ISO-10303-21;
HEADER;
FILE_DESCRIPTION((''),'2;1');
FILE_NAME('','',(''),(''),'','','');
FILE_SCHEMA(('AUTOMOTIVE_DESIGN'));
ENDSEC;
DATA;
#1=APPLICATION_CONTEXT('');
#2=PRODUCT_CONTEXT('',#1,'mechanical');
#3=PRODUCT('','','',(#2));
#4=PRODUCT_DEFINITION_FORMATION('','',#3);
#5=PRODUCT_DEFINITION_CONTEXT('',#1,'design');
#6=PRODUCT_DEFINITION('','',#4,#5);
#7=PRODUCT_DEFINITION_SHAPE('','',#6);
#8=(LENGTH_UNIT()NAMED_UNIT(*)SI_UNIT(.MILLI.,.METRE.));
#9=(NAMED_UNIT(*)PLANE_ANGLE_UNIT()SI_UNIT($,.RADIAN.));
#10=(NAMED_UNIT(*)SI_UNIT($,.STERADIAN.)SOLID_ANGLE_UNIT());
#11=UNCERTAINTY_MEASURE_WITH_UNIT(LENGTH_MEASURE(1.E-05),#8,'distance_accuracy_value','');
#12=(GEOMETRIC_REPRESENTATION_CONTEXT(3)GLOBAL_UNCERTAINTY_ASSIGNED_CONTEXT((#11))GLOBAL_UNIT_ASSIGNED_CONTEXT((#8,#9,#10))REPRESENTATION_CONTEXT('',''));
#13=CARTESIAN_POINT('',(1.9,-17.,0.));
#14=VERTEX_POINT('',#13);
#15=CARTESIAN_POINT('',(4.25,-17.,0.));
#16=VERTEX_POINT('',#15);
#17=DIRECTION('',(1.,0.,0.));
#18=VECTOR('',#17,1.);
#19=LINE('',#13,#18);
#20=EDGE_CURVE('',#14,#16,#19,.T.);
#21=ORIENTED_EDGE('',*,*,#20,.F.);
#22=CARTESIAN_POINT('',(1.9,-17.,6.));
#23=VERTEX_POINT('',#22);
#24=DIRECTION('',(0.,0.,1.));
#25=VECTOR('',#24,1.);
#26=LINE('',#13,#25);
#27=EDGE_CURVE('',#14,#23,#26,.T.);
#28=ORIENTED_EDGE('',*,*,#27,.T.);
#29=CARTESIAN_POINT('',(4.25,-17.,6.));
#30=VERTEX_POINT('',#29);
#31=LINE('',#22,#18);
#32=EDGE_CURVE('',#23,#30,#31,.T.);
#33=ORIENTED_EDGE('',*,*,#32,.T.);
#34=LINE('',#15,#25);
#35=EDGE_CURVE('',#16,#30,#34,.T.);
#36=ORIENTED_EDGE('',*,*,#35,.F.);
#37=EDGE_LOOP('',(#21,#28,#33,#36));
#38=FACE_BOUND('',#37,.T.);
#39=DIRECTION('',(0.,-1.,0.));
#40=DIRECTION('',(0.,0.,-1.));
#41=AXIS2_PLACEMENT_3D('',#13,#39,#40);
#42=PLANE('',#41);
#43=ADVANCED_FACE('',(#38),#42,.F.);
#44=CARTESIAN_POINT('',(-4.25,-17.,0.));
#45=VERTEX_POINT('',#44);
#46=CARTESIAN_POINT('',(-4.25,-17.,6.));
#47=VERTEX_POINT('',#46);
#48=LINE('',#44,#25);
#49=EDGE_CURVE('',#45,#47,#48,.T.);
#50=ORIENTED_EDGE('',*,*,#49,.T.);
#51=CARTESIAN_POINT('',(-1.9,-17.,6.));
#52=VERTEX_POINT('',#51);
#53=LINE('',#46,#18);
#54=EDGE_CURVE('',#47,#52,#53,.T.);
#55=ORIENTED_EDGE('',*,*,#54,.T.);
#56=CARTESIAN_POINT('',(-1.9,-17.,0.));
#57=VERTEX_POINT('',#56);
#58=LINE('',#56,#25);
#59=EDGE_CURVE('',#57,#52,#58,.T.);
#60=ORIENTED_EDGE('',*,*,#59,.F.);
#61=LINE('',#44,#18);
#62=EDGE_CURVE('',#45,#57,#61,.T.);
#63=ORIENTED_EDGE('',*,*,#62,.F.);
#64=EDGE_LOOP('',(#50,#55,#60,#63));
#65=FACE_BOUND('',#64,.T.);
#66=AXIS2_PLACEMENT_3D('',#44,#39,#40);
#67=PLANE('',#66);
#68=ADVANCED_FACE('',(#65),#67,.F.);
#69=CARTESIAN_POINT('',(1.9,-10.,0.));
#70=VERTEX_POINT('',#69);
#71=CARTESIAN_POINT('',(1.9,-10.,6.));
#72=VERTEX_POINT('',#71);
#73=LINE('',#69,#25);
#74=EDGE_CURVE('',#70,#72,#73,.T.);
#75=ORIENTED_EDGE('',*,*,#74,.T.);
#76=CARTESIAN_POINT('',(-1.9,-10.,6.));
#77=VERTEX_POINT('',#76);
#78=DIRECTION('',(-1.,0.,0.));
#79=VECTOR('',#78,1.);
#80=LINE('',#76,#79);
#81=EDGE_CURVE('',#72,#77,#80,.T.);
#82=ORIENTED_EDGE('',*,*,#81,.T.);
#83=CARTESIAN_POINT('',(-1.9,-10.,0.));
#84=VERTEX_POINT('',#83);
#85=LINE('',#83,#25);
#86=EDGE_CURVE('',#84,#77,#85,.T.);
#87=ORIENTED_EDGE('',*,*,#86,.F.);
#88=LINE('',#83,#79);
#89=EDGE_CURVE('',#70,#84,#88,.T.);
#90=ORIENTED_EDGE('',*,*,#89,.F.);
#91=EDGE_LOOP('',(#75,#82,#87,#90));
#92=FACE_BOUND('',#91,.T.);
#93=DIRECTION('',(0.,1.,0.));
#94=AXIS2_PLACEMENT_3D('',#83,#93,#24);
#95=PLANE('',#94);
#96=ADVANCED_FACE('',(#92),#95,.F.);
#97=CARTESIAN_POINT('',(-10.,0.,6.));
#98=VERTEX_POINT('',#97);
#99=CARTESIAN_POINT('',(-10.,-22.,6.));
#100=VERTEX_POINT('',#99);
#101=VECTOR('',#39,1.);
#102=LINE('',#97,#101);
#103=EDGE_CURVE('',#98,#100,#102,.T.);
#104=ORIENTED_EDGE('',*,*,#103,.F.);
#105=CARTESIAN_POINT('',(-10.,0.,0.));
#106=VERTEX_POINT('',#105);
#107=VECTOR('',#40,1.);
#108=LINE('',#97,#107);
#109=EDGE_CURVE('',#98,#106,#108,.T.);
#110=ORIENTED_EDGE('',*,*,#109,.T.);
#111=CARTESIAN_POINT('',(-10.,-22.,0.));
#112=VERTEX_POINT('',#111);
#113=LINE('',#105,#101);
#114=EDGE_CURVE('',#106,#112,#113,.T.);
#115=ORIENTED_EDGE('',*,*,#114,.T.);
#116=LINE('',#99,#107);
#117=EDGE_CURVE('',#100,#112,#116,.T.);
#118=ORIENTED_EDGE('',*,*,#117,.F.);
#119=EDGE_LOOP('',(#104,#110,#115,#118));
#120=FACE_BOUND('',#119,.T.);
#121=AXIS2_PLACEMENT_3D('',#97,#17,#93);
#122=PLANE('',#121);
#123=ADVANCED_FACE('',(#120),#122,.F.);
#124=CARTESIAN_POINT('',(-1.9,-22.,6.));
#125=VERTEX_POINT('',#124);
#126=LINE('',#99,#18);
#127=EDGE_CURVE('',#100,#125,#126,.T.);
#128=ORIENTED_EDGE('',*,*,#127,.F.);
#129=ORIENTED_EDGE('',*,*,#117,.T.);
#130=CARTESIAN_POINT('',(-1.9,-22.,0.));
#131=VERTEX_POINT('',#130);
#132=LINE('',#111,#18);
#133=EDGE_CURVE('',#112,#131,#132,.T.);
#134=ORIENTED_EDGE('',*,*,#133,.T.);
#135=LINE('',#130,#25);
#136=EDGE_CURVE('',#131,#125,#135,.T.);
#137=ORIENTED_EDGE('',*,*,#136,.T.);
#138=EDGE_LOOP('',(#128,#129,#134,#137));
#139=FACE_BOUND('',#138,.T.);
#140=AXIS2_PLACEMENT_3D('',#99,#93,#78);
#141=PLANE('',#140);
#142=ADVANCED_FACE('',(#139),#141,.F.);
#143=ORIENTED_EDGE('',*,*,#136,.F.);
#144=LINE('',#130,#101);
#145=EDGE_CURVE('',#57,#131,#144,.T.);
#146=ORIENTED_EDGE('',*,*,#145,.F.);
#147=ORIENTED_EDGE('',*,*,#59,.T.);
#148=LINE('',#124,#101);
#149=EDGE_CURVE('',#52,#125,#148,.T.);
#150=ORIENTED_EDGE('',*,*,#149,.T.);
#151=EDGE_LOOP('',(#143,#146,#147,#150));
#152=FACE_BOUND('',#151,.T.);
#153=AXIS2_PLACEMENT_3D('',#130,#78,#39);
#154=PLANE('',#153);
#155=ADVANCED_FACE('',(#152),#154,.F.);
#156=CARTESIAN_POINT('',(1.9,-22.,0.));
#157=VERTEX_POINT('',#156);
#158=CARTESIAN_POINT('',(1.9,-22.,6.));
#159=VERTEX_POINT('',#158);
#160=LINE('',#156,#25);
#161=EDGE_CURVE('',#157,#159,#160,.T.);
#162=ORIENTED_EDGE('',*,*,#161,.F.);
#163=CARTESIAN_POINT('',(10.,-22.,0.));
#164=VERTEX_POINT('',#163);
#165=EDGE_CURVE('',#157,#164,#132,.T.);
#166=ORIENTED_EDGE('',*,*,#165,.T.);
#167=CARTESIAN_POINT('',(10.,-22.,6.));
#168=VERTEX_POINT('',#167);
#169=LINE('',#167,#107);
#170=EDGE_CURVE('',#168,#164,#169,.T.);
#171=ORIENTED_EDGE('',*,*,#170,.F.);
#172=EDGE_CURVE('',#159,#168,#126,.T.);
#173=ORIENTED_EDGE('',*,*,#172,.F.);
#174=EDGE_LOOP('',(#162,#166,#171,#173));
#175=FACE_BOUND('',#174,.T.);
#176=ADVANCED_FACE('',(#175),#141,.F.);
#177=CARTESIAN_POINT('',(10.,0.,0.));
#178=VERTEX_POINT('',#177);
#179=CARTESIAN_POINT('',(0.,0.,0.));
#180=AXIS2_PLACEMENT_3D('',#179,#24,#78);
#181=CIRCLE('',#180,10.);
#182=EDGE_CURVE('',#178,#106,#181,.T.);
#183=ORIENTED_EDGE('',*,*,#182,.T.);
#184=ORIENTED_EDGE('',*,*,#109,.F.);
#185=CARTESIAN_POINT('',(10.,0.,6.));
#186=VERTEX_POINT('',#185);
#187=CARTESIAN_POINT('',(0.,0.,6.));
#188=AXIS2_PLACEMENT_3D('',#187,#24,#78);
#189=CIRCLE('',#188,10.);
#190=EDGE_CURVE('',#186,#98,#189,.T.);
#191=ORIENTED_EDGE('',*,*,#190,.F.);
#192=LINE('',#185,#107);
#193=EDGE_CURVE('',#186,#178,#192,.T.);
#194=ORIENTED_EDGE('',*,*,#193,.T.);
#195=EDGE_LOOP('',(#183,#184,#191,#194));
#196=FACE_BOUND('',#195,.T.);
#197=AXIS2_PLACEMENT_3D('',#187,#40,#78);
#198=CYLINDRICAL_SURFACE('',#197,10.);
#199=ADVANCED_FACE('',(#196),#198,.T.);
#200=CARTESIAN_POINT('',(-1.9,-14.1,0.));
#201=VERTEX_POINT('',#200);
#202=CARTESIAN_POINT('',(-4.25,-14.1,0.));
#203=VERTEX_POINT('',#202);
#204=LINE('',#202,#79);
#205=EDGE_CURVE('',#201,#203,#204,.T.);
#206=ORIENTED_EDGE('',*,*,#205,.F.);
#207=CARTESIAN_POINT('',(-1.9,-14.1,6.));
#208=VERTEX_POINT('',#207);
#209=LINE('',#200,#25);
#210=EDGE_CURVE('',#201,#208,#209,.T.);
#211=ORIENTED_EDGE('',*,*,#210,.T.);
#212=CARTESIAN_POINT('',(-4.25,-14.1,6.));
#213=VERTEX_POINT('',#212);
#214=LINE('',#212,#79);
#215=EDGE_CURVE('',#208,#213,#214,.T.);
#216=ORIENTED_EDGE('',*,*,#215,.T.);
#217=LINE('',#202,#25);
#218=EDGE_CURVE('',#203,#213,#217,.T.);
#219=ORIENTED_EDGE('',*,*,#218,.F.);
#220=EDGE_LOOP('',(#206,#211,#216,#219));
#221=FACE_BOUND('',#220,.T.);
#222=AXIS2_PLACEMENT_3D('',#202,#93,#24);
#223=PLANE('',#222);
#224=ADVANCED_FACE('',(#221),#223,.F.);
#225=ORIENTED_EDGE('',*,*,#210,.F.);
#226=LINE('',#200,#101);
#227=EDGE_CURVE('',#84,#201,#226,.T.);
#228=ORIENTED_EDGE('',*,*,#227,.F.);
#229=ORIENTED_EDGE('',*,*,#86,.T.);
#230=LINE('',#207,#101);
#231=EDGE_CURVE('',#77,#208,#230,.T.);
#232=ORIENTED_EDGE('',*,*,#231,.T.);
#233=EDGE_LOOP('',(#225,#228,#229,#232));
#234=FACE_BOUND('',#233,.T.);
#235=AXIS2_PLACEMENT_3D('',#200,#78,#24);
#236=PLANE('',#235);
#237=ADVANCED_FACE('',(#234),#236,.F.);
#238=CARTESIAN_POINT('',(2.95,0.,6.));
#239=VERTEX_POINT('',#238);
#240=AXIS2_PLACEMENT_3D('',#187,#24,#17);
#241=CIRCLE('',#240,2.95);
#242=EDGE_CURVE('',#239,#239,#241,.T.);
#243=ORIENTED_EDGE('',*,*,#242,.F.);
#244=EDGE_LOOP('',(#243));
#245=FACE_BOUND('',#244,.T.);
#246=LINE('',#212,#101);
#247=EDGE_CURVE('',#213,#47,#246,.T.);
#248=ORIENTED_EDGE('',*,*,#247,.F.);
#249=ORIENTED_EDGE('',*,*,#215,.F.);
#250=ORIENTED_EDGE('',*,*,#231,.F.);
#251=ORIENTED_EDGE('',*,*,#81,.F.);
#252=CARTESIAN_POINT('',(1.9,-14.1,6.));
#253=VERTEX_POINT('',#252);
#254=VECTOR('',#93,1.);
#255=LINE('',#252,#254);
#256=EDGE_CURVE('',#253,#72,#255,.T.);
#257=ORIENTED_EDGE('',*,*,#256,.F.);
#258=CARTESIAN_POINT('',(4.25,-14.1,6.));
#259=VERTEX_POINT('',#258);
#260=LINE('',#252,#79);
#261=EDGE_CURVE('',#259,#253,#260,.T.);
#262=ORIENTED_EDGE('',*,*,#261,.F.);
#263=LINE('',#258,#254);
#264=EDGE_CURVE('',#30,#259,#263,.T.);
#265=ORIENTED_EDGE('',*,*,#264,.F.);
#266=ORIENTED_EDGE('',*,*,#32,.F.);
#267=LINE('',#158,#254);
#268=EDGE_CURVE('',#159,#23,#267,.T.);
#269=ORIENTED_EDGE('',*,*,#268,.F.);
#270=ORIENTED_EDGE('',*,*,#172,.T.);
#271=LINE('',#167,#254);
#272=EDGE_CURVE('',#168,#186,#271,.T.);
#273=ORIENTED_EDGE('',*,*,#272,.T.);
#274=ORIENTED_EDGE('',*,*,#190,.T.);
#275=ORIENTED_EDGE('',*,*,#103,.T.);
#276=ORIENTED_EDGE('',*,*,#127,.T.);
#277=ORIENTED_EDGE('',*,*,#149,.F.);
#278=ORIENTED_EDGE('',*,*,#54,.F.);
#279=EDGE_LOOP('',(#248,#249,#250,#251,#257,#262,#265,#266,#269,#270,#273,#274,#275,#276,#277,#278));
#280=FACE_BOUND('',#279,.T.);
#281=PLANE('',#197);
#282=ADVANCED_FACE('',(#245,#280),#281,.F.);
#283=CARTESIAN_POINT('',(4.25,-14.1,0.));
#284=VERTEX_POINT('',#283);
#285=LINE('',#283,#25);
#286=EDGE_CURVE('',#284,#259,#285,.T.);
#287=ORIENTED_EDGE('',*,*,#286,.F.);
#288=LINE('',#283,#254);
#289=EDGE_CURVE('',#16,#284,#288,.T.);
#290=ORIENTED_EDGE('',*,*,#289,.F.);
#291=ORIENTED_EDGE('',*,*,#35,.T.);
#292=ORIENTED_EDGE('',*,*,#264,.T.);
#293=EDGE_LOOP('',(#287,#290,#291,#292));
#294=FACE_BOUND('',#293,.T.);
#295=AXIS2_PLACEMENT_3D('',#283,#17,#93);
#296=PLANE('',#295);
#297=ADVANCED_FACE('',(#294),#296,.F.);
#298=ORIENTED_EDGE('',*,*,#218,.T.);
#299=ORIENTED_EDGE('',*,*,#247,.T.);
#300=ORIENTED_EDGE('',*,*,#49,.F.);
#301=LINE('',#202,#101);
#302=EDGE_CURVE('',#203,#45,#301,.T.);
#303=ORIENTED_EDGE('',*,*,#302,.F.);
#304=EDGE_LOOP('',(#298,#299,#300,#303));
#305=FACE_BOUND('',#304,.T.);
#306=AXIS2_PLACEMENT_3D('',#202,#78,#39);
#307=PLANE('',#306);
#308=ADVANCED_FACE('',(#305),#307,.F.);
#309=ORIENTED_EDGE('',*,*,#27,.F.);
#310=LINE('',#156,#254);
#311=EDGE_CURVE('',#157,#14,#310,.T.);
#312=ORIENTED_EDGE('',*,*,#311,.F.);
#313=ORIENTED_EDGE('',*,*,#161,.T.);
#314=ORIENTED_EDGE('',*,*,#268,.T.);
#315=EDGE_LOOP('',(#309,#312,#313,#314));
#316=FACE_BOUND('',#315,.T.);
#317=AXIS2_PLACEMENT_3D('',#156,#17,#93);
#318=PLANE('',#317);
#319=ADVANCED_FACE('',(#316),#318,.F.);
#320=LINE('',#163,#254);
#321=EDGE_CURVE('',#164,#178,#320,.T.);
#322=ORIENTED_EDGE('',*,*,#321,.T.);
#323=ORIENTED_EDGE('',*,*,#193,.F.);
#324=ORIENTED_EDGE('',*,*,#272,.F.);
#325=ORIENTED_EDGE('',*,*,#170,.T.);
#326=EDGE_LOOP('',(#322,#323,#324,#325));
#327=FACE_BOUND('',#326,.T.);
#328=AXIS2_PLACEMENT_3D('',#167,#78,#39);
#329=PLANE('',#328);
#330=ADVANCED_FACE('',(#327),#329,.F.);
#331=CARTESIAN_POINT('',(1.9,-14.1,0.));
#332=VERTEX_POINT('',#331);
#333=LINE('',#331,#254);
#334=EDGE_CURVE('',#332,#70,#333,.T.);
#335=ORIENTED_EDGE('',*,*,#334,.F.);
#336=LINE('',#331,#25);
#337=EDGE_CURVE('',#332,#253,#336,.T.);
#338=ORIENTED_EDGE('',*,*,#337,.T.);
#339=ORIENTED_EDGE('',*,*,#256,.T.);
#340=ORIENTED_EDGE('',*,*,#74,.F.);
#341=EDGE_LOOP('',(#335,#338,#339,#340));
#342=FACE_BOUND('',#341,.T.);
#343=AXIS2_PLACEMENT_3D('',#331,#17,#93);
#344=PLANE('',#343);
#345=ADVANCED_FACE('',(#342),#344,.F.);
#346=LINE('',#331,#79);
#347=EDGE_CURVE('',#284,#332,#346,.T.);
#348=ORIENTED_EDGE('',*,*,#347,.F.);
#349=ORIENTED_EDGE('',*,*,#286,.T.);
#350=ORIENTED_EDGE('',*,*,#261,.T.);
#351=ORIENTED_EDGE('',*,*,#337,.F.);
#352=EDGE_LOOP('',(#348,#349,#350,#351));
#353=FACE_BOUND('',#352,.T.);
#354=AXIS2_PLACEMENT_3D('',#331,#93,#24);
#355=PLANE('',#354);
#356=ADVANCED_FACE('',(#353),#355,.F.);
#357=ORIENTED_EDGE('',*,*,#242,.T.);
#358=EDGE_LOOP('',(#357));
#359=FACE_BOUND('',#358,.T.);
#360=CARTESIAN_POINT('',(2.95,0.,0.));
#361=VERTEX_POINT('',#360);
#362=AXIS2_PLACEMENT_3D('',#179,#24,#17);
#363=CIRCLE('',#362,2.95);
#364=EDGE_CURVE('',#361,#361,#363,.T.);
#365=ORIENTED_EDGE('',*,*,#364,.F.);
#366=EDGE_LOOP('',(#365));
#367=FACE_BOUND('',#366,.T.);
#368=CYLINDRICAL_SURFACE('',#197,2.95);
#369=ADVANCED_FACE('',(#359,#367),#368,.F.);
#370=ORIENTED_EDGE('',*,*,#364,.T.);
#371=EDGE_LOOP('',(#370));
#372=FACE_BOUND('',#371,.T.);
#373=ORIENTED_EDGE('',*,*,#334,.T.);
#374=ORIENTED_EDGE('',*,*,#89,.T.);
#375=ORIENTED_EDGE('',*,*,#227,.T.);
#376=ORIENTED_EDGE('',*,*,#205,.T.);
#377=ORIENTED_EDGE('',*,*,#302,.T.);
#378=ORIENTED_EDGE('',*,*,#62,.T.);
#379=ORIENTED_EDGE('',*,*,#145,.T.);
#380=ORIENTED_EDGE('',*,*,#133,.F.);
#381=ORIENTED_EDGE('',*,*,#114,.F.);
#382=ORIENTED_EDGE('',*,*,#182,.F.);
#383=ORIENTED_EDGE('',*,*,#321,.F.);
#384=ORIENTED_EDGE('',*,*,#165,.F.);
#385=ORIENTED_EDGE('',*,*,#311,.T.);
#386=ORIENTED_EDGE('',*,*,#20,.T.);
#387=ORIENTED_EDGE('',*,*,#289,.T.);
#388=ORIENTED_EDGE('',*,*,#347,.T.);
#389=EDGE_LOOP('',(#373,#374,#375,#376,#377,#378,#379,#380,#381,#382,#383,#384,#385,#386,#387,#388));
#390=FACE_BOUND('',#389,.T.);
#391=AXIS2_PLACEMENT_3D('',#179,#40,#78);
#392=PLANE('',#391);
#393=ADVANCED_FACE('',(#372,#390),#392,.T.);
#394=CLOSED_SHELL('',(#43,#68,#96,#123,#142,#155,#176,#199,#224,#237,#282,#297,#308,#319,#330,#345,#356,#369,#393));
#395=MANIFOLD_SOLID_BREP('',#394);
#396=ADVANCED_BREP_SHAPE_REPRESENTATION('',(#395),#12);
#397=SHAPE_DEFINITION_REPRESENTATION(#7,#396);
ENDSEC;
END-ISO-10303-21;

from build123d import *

# Parameters (mm, degrees)
SKETCH1_R           = 2.95
BOSS_EXTRUDE1_DEPTH = 6
CUT_EXTRUDE2_DEPTH  = 25.899799196


with BuildPart() as part:
    # Sketch1 → Boss-Extrude1 (new body)
    with BuildSketch(Plane.XY):
        with BuildLine():
            Line((-10, 0), (-10, -22))
            Line((-10, -22), (10, -22))
            Line((10, -22), (10, 0))
            ThreePointArc((10, 0), (0, 10), (-10, 0))
        make_face()
        Circle(SKETCH1_R, mode=Mode.SUBTRACT)
    extrude(amount=BOSS_EXTRUDE1_DEPTH)

    # Sketch3 → Cut-Extrude2 (cut, through all)
    with BuildSketch(Plane.XY.offset(6)):
        Polygon((-1.9, -22), (1.9, -22), (1.9, -17), (4.25, -17), (4.25, -14.1), (1.9, -14.1), (1.9, -10), (-1.9, -10), (-1.9, -14.1), (-4.25, -14.1), (-4.25, -17), (-1.9, -17), align=None)
    extrude(amount=-CUT_EXTRUDE2_DEPTH, mode=Mode.SUBTRACT)


solid = part.part
